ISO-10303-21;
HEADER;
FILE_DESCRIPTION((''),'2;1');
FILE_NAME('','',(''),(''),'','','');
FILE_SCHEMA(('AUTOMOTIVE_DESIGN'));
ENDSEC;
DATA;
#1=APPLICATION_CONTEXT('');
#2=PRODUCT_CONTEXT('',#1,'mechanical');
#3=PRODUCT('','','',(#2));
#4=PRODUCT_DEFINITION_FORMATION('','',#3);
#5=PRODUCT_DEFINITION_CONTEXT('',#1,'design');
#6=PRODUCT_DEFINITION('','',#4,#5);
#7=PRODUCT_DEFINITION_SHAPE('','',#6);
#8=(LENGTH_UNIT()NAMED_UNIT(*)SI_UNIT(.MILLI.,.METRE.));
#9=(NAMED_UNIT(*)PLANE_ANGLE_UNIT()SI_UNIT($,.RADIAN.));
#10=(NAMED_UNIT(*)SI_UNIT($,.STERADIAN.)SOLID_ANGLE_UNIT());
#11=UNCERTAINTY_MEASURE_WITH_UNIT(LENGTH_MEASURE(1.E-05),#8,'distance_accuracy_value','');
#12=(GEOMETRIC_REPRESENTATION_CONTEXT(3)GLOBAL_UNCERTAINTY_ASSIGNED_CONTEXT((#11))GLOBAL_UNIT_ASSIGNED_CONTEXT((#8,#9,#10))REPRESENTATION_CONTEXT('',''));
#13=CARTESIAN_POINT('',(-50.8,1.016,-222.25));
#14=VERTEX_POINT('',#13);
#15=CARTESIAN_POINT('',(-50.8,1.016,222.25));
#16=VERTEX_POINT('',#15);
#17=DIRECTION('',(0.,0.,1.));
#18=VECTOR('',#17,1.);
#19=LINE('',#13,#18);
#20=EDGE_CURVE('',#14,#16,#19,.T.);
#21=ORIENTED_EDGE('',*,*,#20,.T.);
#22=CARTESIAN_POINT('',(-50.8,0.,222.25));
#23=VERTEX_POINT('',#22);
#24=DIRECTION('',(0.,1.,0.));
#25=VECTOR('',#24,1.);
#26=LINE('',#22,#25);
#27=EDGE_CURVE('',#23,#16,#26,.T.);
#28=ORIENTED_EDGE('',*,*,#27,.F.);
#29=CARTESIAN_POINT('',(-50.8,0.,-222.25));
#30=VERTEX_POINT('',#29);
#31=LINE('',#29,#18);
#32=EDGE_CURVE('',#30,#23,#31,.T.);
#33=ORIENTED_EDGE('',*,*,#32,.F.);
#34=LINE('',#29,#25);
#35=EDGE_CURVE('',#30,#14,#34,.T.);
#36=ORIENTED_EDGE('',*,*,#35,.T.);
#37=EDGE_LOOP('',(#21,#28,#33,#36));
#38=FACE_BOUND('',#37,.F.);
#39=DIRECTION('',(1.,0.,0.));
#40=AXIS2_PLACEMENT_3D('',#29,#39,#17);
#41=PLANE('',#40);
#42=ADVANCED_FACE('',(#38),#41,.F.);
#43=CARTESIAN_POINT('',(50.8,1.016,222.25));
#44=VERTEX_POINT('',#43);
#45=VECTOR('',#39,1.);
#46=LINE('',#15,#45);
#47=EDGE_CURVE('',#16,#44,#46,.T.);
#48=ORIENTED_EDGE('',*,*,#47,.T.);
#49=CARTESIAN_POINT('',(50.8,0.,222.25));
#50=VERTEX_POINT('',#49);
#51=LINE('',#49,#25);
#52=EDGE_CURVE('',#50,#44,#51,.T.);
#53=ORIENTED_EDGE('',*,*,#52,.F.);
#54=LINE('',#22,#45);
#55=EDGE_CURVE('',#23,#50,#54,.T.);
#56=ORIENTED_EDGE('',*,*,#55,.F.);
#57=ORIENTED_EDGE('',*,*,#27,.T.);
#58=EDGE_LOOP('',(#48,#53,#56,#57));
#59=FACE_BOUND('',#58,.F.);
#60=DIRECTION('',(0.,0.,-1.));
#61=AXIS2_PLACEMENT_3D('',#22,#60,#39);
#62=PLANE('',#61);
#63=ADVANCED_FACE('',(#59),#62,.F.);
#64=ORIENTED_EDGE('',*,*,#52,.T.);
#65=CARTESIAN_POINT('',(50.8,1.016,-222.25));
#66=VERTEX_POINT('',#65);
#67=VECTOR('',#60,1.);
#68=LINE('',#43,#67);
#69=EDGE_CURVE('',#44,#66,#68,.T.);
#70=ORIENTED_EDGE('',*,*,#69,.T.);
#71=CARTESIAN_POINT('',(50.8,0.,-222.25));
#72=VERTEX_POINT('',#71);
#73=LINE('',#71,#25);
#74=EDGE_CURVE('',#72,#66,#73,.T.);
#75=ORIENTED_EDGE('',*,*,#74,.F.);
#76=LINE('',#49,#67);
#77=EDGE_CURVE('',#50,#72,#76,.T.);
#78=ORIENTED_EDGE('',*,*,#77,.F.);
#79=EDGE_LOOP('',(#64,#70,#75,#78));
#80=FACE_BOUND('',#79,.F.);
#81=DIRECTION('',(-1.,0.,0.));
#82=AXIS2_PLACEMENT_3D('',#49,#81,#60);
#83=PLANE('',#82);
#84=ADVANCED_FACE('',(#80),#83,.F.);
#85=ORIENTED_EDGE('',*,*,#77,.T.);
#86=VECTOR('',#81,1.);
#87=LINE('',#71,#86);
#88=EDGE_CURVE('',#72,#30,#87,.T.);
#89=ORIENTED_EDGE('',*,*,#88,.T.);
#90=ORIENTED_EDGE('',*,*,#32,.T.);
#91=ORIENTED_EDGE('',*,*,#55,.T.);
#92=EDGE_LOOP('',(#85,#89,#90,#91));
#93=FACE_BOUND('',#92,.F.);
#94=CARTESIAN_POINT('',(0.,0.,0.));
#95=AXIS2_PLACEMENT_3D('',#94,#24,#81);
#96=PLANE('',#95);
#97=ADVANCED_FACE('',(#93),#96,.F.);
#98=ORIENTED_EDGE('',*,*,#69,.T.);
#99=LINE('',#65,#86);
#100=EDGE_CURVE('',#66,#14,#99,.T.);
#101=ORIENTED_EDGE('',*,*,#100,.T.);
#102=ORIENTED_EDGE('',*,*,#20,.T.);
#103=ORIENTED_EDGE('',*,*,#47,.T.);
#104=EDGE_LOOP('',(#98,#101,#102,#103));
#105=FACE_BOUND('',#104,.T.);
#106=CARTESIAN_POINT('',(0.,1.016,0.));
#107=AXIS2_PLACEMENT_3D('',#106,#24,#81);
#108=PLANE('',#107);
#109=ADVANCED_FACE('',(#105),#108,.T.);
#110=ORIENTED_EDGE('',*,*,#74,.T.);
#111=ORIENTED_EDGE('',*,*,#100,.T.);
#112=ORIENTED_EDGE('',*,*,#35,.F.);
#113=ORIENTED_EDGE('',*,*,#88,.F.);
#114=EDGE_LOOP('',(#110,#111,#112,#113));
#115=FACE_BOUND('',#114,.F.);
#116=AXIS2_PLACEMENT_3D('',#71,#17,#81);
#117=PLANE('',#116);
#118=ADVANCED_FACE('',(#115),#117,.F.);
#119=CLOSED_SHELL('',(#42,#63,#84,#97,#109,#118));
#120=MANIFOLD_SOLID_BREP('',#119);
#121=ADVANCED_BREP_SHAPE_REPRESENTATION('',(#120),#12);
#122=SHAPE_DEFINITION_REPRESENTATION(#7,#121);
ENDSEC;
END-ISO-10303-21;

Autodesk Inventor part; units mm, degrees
ref_plane "YZ Plane" through (0, 0, 0) normal (1, 0, 0) x (0, 1, 0)
ref_plane "XZ Plane" through (0, 0, 0) normal (0, 1, 0) x (-1, 0, 0)
ref_plane "XY Plane" through (0, 0, 0) normal (0, 0, 1) x (1, 0, 0)
sketch "Sketch1" plane through (0, 0, 0) normal (0, 1, 0) x (-1, 0, 0)
  line L0 (50.8, 222.25) -> (-50.8, 222.25)
  line L1 (-50.8, 222.25) -> (-50.8, -222.25)
  line L2 (-50.8, -222.25) -> (50.8, -222.25)
  line L3 (50.8, -222.25) -> (50.8, 222.25)
  line L4 (50.8, 222.25) -> (-50.8, -222.25) construction
  line L5 (-50.8, 222.25) -> (50.8, -222.25) construction
  point P0 (0, 0)
  dimension "d0" = 101.6
  dimension "d1" = 444.5
extrude "Extrusion1" add sketch "Sketch1" along normal blind 1.016
properties part number "plastic 4 x 17.5"
